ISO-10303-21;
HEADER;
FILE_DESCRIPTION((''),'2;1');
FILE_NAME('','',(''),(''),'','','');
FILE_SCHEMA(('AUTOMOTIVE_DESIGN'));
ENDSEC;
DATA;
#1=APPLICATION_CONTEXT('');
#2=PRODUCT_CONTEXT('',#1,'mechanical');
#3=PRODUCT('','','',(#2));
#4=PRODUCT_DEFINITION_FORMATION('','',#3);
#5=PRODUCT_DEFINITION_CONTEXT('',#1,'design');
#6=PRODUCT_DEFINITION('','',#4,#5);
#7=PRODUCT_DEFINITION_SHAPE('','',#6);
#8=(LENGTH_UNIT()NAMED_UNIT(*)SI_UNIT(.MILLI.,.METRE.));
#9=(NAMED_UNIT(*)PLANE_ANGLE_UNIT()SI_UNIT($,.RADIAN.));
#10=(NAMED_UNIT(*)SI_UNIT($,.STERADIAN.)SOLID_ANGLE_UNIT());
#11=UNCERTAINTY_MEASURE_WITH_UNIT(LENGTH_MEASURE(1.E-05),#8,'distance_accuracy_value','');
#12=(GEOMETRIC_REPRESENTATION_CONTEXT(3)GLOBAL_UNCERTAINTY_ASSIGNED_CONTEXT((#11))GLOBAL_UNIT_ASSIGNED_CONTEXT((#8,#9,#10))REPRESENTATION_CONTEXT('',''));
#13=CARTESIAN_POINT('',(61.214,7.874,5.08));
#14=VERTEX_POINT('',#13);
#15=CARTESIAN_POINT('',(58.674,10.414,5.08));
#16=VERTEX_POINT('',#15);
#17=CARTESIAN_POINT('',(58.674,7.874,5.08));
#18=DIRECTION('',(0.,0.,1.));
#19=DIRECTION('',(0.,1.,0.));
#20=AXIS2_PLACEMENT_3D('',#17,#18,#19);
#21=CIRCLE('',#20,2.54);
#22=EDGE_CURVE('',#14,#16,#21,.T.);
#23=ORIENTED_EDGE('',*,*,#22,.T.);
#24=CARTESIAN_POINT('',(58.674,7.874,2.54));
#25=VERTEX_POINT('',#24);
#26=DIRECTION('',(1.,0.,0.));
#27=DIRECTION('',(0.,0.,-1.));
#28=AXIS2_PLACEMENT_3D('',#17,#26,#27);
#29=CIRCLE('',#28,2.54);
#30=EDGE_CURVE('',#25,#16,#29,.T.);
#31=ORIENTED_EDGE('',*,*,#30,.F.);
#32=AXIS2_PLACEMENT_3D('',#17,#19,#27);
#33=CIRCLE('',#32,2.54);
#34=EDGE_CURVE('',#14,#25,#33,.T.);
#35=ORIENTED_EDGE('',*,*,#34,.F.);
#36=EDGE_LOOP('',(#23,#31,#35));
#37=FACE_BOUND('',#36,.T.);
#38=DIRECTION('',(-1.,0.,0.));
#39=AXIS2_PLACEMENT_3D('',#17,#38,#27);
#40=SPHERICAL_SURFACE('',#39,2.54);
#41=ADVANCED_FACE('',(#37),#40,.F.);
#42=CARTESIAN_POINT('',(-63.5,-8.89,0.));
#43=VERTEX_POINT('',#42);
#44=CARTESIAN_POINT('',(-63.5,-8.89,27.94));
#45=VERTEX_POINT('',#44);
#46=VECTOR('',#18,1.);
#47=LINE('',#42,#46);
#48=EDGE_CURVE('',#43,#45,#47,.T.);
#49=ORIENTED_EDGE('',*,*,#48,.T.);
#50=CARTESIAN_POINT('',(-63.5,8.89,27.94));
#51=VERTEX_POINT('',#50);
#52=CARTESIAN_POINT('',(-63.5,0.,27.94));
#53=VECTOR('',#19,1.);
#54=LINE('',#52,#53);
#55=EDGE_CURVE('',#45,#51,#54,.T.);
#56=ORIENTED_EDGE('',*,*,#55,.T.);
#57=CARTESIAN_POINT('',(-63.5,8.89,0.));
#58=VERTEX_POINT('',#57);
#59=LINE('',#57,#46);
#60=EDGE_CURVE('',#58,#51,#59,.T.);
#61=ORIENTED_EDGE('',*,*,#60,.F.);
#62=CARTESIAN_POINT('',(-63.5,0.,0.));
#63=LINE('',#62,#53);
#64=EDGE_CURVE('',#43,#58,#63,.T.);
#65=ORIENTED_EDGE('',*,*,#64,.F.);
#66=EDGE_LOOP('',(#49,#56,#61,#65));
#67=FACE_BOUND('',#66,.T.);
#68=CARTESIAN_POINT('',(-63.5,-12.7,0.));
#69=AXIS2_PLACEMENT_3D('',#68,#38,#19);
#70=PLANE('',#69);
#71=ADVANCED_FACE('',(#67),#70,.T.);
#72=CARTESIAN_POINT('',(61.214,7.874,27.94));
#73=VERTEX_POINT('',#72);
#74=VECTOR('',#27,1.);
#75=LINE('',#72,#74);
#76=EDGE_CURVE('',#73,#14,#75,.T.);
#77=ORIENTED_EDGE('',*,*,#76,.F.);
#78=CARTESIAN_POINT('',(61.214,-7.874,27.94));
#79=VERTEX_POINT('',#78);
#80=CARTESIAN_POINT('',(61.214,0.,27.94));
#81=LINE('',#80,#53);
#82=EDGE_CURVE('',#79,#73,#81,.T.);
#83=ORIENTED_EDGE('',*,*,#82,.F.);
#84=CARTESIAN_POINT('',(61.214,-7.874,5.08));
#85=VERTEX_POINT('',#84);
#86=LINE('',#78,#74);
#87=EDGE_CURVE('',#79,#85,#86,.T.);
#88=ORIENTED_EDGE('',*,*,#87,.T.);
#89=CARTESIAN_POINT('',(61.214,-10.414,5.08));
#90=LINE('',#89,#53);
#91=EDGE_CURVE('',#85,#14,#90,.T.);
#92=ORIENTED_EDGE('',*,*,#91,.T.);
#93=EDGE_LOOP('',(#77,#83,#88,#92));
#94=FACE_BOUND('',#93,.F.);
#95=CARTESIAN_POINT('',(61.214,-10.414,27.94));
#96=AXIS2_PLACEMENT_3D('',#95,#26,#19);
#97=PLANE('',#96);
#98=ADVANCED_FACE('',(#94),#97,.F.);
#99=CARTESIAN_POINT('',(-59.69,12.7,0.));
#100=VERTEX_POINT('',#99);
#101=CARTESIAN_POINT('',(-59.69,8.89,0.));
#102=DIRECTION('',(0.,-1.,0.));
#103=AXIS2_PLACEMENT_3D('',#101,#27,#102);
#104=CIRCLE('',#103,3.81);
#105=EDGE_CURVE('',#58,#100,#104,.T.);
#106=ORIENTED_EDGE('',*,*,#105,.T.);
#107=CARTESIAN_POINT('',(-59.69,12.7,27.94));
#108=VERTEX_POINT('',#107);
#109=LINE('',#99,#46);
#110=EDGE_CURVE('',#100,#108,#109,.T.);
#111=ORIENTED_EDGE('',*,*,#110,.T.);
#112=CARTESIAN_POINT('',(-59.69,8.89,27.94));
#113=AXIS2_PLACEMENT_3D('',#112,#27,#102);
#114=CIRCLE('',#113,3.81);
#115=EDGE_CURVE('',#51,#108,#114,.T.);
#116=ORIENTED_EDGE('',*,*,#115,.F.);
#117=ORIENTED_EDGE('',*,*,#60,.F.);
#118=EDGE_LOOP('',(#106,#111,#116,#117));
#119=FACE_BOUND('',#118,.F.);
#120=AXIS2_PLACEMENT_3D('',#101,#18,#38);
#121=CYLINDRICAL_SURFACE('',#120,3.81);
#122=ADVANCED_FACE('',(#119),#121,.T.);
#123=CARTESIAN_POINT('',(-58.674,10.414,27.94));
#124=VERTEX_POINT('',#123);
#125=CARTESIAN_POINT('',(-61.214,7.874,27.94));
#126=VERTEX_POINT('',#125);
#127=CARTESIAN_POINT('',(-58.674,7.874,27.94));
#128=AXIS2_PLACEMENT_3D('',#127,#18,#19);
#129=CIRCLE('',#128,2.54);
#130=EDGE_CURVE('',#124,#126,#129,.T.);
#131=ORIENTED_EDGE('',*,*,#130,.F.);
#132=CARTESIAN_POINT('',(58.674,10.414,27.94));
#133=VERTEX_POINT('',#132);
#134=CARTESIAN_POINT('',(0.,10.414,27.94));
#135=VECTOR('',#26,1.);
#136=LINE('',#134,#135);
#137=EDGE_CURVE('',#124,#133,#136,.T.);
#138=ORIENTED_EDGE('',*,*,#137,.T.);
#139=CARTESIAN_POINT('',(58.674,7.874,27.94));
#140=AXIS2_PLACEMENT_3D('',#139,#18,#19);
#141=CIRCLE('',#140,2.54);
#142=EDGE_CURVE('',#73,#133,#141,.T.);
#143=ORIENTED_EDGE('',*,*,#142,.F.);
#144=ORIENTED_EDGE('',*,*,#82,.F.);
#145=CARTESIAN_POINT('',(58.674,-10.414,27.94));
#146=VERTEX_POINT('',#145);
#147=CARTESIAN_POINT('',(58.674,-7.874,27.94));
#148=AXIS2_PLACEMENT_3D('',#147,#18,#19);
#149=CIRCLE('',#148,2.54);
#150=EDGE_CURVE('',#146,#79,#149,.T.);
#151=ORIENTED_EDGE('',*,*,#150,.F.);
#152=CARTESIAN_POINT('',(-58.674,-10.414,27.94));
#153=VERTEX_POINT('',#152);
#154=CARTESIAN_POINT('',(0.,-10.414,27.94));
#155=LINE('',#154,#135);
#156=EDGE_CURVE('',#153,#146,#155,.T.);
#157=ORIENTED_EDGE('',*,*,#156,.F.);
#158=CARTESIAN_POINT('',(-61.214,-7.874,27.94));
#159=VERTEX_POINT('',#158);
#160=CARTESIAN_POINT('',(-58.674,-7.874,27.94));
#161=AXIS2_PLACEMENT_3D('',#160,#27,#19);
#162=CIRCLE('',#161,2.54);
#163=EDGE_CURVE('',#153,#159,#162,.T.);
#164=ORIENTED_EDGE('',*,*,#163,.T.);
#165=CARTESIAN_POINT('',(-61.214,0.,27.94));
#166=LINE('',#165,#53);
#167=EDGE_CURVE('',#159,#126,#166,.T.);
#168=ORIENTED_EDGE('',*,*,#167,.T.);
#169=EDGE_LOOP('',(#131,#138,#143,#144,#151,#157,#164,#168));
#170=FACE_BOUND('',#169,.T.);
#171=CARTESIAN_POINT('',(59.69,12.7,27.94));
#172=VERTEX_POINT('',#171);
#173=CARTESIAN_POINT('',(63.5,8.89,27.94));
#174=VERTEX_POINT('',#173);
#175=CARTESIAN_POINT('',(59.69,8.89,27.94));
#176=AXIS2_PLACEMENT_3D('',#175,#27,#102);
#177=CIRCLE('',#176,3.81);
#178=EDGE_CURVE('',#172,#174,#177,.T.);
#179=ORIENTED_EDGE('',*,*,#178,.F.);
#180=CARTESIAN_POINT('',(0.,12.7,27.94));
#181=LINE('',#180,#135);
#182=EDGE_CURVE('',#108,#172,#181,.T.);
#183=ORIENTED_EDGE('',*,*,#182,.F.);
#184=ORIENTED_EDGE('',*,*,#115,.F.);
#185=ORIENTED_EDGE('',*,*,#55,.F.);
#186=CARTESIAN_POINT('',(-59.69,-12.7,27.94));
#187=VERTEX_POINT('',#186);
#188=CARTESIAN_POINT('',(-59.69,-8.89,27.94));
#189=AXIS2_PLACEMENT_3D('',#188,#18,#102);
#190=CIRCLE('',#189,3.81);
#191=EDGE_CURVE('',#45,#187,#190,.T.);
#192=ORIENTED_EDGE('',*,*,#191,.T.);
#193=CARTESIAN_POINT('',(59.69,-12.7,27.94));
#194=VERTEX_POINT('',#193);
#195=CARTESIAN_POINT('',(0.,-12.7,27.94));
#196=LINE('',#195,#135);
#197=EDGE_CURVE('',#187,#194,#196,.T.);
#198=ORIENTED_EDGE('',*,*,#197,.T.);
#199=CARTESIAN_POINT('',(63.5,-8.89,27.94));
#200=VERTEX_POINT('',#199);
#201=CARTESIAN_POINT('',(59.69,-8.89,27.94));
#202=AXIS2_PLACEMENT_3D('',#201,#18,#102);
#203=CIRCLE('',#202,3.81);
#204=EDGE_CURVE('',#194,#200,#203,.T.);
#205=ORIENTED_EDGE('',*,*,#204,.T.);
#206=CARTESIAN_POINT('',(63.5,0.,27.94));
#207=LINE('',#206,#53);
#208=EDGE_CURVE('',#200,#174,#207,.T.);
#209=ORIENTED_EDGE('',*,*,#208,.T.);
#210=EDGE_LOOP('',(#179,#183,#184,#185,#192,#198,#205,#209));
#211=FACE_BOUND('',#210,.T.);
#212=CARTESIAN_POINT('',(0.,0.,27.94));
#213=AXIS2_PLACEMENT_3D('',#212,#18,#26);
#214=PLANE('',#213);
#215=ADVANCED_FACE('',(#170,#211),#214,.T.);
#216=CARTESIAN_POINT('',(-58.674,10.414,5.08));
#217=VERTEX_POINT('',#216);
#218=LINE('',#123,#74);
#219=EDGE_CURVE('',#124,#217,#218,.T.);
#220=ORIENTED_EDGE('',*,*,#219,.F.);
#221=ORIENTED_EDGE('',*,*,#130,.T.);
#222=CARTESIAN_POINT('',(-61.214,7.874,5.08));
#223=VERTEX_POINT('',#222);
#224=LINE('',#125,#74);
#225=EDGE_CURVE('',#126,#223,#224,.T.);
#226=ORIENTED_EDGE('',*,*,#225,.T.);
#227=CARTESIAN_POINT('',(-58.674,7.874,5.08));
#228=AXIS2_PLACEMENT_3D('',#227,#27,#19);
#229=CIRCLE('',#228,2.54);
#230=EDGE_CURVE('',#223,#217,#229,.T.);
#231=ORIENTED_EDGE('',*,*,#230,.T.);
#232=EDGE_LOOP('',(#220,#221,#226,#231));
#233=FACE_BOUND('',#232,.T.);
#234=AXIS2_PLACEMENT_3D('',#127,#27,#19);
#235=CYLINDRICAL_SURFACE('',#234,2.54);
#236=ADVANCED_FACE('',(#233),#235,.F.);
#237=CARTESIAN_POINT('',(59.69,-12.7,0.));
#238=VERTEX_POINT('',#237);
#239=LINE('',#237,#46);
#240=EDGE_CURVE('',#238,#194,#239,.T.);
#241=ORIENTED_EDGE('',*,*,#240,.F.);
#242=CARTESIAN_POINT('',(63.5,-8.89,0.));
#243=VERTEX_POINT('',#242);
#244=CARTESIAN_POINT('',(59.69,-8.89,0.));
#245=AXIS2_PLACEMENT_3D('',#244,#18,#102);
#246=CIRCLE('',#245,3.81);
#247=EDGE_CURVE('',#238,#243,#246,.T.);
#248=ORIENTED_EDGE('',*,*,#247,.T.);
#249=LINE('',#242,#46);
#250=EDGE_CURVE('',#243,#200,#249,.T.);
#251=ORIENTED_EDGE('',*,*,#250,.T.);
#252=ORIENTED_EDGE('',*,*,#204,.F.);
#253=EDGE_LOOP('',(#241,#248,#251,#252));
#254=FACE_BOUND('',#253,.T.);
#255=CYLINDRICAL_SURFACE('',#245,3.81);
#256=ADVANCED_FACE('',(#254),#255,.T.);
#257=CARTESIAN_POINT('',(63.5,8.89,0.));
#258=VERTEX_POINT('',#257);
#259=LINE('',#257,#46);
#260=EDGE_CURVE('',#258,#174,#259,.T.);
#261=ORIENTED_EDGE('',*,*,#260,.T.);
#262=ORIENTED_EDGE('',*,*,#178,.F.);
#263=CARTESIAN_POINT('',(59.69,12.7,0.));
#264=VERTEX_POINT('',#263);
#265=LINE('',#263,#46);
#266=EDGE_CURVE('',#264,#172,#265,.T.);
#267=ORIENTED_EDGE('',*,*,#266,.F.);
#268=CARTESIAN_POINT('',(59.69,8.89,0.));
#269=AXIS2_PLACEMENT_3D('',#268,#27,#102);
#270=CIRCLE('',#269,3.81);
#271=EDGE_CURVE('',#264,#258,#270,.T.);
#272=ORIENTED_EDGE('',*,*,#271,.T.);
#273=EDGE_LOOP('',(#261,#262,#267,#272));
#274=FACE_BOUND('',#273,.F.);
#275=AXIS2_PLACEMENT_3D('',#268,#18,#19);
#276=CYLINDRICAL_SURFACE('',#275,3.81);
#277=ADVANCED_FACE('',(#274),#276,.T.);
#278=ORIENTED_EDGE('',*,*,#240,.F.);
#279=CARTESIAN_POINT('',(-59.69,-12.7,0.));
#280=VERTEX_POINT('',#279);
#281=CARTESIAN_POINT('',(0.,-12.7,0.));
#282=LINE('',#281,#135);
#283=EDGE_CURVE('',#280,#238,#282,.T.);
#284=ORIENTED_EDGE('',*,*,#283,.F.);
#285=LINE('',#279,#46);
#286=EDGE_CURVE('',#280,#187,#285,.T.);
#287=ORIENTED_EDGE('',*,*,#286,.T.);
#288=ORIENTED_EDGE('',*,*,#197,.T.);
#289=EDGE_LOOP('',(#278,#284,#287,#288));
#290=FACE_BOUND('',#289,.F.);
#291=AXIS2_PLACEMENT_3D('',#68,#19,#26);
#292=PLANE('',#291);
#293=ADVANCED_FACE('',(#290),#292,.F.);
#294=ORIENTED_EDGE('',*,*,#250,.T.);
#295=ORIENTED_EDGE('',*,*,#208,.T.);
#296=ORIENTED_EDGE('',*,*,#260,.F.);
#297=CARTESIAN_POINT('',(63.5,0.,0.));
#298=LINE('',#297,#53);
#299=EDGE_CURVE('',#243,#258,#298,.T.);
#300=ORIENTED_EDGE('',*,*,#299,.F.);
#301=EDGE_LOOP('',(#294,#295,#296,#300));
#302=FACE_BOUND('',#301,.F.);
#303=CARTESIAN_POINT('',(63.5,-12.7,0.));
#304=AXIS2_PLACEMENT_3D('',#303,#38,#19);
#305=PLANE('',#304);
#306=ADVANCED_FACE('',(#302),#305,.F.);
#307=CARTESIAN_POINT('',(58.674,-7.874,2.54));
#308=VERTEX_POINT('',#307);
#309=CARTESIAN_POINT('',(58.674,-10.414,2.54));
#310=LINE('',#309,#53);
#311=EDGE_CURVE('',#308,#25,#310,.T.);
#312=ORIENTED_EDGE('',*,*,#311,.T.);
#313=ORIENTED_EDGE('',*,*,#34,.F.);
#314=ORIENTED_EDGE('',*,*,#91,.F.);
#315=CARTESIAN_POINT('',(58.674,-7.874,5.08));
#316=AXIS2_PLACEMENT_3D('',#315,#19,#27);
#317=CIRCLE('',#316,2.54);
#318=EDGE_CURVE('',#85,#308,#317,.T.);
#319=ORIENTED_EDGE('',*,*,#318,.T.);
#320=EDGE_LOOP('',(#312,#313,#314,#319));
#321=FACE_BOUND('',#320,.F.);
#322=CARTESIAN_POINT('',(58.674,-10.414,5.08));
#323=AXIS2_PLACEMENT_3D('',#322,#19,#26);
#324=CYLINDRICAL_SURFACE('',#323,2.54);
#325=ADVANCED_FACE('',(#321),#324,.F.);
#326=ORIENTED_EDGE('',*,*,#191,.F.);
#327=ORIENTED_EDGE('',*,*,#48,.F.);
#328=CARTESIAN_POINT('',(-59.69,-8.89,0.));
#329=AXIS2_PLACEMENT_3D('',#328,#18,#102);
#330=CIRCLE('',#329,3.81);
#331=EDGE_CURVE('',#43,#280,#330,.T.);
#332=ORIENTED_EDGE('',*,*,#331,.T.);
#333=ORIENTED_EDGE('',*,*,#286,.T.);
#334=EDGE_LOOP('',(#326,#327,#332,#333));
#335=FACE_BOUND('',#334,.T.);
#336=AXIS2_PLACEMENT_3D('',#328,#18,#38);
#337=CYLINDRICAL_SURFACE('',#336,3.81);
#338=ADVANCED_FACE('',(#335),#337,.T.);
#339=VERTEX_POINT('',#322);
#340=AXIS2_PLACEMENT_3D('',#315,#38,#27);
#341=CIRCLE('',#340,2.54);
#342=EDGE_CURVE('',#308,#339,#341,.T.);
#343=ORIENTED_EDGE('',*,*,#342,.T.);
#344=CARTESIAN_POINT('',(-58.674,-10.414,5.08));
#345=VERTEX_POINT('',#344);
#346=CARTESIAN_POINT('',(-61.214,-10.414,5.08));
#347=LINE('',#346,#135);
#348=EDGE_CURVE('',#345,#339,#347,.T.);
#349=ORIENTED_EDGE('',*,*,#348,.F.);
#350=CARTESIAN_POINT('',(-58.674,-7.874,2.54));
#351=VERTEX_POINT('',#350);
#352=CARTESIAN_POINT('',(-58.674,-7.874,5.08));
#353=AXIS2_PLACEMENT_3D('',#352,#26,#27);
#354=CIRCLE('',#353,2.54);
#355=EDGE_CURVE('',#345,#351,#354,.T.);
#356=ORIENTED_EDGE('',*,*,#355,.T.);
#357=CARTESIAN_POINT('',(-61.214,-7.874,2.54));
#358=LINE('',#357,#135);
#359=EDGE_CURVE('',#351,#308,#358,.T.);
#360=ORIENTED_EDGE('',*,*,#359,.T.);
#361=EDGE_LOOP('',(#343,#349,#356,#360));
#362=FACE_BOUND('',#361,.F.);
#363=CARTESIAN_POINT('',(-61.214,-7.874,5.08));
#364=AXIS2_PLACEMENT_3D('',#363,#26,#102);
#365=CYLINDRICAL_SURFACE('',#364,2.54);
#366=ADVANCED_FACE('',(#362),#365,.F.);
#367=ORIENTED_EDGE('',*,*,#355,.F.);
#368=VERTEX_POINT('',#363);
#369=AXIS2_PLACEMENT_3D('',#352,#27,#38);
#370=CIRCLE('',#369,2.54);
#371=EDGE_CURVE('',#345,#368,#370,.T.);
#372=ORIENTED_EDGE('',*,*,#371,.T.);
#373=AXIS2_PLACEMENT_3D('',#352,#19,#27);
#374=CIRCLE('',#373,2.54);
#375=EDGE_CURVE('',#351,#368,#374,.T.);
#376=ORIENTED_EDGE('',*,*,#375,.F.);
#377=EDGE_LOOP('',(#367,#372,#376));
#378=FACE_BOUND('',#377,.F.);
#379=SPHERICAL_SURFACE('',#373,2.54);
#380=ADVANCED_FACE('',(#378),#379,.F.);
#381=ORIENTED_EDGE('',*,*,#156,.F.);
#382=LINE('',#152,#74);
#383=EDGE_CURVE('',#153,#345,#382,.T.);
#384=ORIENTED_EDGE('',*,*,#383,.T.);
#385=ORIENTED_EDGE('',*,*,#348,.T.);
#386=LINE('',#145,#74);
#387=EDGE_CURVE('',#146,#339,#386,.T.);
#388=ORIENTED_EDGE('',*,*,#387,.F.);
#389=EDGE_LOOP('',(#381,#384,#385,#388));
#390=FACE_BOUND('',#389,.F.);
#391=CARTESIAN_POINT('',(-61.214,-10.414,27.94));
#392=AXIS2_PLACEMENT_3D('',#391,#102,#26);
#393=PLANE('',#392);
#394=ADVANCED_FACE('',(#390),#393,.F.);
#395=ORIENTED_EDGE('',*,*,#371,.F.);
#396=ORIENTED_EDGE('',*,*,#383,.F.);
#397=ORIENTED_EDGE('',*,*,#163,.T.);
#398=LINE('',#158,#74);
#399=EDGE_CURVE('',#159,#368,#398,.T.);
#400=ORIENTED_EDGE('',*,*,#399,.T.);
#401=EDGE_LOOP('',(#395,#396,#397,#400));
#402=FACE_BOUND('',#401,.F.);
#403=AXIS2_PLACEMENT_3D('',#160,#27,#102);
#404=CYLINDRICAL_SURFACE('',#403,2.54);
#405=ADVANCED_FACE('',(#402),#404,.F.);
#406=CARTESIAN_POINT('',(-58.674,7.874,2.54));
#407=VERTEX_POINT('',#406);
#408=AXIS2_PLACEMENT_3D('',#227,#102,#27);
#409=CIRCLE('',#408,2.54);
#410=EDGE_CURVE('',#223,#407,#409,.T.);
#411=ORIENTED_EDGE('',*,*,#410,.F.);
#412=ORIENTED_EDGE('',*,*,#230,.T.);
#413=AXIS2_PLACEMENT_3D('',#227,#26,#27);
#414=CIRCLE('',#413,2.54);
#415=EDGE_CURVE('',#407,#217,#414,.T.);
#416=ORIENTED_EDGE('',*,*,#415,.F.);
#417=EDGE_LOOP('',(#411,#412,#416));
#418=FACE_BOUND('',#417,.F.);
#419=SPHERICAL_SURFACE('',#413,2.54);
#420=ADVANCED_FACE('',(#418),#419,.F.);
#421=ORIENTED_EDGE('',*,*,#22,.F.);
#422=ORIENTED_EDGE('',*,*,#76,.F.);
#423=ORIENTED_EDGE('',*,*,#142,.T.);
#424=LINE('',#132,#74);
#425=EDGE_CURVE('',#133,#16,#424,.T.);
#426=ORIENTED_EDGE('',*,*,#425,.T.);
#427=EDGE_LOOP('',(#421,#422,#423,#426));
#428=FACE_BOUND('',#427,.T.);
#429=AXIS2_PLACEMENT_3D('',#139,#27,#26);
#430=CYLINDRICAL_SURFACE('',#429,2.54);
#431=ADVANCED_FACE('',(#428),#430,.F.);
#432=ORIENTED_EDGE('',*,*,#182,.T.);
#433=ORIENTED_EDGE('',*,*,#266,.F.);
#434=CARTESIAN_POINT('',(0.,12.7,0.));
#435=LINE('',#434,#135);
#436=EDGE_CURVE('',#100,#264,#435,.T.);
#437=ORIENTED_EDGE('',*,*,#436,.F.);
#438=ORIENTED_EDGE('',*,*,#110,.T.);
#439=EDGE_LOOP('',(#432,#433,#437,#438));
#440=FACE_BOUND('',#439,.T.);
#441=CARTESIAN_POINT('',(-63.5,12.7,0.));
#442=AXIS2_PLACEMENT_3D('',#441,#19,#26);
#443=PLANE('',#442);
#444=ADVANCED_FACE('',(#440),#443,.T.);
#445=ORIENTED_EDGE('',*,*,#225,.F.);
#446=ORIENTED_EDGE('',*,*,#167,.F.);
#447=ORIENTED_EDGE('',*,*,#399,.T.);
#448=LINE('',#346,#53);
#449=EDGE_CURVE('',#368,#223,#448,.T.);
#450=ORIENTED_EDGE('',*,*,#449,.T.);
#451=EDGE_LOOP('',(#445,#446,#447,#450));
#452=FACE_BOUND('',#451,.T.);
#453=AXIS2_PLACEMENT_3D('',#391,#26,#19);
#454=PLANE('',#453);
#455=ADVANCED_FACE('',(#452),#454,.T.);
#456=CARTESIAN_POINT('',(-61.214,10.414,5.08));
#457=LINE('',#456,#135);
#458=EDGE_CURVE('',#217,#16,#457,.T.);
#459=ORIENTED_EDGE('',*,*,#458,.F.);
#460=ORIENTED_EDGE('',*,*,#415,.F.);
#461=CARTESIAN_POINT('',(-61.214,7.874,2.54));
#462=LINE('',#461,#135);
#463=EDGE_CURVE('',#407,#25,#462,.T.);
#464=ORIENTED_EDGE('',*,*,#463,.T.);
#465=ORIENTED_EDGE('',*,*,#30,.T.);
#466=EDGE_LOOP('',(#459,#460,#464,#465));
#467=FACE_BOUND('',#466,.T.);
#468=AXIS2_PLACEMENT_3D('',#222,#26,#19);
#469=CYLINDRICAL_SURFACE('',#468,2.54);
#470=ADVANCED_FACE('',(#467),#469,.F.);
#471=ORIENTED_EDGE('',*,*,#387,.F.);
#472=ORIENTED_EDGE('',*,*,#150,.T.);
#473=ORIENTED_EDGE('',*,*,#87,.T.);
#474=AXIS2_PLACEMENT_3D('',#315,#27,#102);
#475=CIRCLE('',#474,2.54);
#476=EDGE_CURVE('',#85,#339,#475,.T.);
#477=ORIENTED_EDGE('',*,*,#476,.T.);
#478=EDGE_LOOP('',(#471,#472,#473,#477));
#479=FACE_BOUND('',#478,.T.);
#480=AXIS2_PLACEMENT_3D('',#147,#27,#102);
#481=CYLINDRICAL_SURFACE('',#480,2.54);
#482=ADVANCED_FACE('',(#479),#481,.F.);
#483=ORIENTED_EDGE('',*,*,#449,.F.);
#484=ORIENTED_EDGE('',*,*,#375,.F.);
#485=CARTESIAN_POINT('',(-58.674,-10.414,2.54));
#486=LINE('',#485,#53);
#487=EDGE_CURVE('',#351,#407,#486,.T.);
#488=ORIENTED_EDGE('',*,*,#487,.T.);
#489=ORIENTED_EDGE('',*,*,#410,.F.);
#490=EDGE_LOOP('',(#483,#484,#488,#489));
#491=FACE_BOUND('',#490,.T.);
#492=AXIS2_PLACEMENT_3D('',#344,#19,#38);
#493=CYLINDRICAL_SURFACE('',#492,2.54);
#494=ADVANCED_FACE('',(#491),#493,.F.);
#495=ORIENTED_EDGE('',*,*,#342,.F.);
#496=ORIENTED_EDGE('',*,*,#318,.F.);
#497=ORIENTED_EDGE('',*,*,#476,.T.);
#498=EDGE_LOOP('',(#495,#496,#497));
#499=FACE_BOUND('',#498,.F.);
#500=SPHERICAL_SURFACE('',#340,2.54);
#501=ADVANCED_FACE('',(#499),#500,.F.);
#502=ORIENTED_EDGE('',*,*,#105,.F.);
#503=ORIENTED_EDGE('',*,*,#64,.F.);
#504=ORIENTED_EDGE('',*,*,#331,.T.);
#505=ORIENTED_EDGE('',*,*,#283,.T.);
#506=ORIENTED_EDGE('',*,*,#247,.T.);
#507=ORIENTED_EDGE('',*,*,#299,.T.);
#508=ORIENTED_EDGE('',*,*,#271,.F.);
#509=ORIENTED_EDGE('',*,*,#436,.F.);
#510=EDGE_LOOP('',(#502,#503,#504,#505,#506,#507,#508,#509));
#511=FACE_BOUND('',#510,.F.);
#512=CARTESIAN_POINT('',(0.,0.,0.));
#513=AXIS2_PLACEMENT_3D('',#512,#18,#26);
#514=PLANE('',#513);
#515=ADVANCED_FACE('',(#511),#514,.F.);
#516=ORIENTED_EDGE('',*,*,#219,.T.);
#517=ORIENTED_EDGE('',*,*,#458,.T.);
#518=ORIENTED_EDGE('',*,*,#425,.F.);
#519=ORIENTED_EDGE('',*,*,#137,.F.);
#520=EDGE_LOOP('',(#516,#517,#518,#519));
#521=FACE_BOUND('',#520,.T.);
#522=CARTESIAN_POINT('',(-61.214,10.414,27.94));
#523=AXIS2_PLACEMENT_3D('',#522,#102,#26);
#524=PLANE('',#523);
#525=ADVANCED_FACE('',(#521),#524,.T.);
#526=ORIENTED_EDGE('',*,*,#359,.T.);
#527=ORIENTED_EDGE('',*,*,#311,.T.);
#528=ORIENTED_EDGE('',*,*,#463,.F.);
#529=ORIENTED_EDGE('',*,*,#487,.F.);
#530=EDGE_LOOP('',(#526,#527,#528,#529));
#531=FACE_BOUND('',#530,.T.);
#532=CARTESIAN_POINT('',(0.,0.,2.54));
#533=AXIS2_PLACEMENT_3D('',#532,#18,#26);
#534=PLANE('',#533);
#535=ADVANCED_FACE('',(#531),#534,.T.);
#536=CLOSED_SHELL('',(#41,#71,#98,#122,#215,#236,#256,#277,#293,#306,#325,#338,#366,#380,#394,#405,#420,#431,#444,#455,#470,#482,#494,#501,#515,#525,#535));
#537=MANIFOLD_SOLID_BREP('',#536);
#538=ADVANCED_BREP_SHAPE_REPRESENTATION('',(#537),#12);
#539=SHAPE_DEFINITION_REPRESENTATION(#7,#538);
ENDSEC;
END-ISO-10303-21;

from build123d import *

# Parameters (mm, degrees)
F0_W     = 127
F0_H     = 25.4
F1_DEPTH = 27.94
F2_W     = 122.428
F2_H     = 20.828
F3_DEPTH = 25.4
F4_R     = 2.54
F5_R     = 3.81


with BuildPart() as f1:
    # F0 (on Top) → F1 (new body)
    with BuildSketch(Plane.XY):
        Rectangle(F0_W, F0_H)
    extrude(amount=F1_DEPTH)

    # F2 (on face) → F3 (cut)
    with BuildSketch(Plane.XY.offset(27.94)):
        Rectangle(F2_W, F2_H)
    extrude(amount=-F3_DEPTH, mode=Mode.SUBTRACT)

    # F4
    f4_edges = [f1.edges().sort_by_distance(p)[0] for p in [
        (0, 10.414, 2.54),
        (-61.214, 0, 2.54),
        (0, -10.414, 2.54),
        (61.214, 0, 2.54),
        (-61.214, 10.414, 15.24),
        (61.214, 10.414, 15.24),
        (61.214, -10.414, 15.24),
        (-61.214, -10.414, 15.24),
    ]]
    fillet(f4_edges, radius=F4_R)

    # F5
    f5_edges = [f1.edges().sort_by_distance(p)[0] for p in [
        (-63.5, -12.7, 13.97),
        (-63.5, 12.7, 13.97),
        (63.5, 12.7, 13.97),
        (63.5, -12.7, 13.97),
    ]]
    fillet(f5_edges, radius=F5_R)


solid = f1.part
